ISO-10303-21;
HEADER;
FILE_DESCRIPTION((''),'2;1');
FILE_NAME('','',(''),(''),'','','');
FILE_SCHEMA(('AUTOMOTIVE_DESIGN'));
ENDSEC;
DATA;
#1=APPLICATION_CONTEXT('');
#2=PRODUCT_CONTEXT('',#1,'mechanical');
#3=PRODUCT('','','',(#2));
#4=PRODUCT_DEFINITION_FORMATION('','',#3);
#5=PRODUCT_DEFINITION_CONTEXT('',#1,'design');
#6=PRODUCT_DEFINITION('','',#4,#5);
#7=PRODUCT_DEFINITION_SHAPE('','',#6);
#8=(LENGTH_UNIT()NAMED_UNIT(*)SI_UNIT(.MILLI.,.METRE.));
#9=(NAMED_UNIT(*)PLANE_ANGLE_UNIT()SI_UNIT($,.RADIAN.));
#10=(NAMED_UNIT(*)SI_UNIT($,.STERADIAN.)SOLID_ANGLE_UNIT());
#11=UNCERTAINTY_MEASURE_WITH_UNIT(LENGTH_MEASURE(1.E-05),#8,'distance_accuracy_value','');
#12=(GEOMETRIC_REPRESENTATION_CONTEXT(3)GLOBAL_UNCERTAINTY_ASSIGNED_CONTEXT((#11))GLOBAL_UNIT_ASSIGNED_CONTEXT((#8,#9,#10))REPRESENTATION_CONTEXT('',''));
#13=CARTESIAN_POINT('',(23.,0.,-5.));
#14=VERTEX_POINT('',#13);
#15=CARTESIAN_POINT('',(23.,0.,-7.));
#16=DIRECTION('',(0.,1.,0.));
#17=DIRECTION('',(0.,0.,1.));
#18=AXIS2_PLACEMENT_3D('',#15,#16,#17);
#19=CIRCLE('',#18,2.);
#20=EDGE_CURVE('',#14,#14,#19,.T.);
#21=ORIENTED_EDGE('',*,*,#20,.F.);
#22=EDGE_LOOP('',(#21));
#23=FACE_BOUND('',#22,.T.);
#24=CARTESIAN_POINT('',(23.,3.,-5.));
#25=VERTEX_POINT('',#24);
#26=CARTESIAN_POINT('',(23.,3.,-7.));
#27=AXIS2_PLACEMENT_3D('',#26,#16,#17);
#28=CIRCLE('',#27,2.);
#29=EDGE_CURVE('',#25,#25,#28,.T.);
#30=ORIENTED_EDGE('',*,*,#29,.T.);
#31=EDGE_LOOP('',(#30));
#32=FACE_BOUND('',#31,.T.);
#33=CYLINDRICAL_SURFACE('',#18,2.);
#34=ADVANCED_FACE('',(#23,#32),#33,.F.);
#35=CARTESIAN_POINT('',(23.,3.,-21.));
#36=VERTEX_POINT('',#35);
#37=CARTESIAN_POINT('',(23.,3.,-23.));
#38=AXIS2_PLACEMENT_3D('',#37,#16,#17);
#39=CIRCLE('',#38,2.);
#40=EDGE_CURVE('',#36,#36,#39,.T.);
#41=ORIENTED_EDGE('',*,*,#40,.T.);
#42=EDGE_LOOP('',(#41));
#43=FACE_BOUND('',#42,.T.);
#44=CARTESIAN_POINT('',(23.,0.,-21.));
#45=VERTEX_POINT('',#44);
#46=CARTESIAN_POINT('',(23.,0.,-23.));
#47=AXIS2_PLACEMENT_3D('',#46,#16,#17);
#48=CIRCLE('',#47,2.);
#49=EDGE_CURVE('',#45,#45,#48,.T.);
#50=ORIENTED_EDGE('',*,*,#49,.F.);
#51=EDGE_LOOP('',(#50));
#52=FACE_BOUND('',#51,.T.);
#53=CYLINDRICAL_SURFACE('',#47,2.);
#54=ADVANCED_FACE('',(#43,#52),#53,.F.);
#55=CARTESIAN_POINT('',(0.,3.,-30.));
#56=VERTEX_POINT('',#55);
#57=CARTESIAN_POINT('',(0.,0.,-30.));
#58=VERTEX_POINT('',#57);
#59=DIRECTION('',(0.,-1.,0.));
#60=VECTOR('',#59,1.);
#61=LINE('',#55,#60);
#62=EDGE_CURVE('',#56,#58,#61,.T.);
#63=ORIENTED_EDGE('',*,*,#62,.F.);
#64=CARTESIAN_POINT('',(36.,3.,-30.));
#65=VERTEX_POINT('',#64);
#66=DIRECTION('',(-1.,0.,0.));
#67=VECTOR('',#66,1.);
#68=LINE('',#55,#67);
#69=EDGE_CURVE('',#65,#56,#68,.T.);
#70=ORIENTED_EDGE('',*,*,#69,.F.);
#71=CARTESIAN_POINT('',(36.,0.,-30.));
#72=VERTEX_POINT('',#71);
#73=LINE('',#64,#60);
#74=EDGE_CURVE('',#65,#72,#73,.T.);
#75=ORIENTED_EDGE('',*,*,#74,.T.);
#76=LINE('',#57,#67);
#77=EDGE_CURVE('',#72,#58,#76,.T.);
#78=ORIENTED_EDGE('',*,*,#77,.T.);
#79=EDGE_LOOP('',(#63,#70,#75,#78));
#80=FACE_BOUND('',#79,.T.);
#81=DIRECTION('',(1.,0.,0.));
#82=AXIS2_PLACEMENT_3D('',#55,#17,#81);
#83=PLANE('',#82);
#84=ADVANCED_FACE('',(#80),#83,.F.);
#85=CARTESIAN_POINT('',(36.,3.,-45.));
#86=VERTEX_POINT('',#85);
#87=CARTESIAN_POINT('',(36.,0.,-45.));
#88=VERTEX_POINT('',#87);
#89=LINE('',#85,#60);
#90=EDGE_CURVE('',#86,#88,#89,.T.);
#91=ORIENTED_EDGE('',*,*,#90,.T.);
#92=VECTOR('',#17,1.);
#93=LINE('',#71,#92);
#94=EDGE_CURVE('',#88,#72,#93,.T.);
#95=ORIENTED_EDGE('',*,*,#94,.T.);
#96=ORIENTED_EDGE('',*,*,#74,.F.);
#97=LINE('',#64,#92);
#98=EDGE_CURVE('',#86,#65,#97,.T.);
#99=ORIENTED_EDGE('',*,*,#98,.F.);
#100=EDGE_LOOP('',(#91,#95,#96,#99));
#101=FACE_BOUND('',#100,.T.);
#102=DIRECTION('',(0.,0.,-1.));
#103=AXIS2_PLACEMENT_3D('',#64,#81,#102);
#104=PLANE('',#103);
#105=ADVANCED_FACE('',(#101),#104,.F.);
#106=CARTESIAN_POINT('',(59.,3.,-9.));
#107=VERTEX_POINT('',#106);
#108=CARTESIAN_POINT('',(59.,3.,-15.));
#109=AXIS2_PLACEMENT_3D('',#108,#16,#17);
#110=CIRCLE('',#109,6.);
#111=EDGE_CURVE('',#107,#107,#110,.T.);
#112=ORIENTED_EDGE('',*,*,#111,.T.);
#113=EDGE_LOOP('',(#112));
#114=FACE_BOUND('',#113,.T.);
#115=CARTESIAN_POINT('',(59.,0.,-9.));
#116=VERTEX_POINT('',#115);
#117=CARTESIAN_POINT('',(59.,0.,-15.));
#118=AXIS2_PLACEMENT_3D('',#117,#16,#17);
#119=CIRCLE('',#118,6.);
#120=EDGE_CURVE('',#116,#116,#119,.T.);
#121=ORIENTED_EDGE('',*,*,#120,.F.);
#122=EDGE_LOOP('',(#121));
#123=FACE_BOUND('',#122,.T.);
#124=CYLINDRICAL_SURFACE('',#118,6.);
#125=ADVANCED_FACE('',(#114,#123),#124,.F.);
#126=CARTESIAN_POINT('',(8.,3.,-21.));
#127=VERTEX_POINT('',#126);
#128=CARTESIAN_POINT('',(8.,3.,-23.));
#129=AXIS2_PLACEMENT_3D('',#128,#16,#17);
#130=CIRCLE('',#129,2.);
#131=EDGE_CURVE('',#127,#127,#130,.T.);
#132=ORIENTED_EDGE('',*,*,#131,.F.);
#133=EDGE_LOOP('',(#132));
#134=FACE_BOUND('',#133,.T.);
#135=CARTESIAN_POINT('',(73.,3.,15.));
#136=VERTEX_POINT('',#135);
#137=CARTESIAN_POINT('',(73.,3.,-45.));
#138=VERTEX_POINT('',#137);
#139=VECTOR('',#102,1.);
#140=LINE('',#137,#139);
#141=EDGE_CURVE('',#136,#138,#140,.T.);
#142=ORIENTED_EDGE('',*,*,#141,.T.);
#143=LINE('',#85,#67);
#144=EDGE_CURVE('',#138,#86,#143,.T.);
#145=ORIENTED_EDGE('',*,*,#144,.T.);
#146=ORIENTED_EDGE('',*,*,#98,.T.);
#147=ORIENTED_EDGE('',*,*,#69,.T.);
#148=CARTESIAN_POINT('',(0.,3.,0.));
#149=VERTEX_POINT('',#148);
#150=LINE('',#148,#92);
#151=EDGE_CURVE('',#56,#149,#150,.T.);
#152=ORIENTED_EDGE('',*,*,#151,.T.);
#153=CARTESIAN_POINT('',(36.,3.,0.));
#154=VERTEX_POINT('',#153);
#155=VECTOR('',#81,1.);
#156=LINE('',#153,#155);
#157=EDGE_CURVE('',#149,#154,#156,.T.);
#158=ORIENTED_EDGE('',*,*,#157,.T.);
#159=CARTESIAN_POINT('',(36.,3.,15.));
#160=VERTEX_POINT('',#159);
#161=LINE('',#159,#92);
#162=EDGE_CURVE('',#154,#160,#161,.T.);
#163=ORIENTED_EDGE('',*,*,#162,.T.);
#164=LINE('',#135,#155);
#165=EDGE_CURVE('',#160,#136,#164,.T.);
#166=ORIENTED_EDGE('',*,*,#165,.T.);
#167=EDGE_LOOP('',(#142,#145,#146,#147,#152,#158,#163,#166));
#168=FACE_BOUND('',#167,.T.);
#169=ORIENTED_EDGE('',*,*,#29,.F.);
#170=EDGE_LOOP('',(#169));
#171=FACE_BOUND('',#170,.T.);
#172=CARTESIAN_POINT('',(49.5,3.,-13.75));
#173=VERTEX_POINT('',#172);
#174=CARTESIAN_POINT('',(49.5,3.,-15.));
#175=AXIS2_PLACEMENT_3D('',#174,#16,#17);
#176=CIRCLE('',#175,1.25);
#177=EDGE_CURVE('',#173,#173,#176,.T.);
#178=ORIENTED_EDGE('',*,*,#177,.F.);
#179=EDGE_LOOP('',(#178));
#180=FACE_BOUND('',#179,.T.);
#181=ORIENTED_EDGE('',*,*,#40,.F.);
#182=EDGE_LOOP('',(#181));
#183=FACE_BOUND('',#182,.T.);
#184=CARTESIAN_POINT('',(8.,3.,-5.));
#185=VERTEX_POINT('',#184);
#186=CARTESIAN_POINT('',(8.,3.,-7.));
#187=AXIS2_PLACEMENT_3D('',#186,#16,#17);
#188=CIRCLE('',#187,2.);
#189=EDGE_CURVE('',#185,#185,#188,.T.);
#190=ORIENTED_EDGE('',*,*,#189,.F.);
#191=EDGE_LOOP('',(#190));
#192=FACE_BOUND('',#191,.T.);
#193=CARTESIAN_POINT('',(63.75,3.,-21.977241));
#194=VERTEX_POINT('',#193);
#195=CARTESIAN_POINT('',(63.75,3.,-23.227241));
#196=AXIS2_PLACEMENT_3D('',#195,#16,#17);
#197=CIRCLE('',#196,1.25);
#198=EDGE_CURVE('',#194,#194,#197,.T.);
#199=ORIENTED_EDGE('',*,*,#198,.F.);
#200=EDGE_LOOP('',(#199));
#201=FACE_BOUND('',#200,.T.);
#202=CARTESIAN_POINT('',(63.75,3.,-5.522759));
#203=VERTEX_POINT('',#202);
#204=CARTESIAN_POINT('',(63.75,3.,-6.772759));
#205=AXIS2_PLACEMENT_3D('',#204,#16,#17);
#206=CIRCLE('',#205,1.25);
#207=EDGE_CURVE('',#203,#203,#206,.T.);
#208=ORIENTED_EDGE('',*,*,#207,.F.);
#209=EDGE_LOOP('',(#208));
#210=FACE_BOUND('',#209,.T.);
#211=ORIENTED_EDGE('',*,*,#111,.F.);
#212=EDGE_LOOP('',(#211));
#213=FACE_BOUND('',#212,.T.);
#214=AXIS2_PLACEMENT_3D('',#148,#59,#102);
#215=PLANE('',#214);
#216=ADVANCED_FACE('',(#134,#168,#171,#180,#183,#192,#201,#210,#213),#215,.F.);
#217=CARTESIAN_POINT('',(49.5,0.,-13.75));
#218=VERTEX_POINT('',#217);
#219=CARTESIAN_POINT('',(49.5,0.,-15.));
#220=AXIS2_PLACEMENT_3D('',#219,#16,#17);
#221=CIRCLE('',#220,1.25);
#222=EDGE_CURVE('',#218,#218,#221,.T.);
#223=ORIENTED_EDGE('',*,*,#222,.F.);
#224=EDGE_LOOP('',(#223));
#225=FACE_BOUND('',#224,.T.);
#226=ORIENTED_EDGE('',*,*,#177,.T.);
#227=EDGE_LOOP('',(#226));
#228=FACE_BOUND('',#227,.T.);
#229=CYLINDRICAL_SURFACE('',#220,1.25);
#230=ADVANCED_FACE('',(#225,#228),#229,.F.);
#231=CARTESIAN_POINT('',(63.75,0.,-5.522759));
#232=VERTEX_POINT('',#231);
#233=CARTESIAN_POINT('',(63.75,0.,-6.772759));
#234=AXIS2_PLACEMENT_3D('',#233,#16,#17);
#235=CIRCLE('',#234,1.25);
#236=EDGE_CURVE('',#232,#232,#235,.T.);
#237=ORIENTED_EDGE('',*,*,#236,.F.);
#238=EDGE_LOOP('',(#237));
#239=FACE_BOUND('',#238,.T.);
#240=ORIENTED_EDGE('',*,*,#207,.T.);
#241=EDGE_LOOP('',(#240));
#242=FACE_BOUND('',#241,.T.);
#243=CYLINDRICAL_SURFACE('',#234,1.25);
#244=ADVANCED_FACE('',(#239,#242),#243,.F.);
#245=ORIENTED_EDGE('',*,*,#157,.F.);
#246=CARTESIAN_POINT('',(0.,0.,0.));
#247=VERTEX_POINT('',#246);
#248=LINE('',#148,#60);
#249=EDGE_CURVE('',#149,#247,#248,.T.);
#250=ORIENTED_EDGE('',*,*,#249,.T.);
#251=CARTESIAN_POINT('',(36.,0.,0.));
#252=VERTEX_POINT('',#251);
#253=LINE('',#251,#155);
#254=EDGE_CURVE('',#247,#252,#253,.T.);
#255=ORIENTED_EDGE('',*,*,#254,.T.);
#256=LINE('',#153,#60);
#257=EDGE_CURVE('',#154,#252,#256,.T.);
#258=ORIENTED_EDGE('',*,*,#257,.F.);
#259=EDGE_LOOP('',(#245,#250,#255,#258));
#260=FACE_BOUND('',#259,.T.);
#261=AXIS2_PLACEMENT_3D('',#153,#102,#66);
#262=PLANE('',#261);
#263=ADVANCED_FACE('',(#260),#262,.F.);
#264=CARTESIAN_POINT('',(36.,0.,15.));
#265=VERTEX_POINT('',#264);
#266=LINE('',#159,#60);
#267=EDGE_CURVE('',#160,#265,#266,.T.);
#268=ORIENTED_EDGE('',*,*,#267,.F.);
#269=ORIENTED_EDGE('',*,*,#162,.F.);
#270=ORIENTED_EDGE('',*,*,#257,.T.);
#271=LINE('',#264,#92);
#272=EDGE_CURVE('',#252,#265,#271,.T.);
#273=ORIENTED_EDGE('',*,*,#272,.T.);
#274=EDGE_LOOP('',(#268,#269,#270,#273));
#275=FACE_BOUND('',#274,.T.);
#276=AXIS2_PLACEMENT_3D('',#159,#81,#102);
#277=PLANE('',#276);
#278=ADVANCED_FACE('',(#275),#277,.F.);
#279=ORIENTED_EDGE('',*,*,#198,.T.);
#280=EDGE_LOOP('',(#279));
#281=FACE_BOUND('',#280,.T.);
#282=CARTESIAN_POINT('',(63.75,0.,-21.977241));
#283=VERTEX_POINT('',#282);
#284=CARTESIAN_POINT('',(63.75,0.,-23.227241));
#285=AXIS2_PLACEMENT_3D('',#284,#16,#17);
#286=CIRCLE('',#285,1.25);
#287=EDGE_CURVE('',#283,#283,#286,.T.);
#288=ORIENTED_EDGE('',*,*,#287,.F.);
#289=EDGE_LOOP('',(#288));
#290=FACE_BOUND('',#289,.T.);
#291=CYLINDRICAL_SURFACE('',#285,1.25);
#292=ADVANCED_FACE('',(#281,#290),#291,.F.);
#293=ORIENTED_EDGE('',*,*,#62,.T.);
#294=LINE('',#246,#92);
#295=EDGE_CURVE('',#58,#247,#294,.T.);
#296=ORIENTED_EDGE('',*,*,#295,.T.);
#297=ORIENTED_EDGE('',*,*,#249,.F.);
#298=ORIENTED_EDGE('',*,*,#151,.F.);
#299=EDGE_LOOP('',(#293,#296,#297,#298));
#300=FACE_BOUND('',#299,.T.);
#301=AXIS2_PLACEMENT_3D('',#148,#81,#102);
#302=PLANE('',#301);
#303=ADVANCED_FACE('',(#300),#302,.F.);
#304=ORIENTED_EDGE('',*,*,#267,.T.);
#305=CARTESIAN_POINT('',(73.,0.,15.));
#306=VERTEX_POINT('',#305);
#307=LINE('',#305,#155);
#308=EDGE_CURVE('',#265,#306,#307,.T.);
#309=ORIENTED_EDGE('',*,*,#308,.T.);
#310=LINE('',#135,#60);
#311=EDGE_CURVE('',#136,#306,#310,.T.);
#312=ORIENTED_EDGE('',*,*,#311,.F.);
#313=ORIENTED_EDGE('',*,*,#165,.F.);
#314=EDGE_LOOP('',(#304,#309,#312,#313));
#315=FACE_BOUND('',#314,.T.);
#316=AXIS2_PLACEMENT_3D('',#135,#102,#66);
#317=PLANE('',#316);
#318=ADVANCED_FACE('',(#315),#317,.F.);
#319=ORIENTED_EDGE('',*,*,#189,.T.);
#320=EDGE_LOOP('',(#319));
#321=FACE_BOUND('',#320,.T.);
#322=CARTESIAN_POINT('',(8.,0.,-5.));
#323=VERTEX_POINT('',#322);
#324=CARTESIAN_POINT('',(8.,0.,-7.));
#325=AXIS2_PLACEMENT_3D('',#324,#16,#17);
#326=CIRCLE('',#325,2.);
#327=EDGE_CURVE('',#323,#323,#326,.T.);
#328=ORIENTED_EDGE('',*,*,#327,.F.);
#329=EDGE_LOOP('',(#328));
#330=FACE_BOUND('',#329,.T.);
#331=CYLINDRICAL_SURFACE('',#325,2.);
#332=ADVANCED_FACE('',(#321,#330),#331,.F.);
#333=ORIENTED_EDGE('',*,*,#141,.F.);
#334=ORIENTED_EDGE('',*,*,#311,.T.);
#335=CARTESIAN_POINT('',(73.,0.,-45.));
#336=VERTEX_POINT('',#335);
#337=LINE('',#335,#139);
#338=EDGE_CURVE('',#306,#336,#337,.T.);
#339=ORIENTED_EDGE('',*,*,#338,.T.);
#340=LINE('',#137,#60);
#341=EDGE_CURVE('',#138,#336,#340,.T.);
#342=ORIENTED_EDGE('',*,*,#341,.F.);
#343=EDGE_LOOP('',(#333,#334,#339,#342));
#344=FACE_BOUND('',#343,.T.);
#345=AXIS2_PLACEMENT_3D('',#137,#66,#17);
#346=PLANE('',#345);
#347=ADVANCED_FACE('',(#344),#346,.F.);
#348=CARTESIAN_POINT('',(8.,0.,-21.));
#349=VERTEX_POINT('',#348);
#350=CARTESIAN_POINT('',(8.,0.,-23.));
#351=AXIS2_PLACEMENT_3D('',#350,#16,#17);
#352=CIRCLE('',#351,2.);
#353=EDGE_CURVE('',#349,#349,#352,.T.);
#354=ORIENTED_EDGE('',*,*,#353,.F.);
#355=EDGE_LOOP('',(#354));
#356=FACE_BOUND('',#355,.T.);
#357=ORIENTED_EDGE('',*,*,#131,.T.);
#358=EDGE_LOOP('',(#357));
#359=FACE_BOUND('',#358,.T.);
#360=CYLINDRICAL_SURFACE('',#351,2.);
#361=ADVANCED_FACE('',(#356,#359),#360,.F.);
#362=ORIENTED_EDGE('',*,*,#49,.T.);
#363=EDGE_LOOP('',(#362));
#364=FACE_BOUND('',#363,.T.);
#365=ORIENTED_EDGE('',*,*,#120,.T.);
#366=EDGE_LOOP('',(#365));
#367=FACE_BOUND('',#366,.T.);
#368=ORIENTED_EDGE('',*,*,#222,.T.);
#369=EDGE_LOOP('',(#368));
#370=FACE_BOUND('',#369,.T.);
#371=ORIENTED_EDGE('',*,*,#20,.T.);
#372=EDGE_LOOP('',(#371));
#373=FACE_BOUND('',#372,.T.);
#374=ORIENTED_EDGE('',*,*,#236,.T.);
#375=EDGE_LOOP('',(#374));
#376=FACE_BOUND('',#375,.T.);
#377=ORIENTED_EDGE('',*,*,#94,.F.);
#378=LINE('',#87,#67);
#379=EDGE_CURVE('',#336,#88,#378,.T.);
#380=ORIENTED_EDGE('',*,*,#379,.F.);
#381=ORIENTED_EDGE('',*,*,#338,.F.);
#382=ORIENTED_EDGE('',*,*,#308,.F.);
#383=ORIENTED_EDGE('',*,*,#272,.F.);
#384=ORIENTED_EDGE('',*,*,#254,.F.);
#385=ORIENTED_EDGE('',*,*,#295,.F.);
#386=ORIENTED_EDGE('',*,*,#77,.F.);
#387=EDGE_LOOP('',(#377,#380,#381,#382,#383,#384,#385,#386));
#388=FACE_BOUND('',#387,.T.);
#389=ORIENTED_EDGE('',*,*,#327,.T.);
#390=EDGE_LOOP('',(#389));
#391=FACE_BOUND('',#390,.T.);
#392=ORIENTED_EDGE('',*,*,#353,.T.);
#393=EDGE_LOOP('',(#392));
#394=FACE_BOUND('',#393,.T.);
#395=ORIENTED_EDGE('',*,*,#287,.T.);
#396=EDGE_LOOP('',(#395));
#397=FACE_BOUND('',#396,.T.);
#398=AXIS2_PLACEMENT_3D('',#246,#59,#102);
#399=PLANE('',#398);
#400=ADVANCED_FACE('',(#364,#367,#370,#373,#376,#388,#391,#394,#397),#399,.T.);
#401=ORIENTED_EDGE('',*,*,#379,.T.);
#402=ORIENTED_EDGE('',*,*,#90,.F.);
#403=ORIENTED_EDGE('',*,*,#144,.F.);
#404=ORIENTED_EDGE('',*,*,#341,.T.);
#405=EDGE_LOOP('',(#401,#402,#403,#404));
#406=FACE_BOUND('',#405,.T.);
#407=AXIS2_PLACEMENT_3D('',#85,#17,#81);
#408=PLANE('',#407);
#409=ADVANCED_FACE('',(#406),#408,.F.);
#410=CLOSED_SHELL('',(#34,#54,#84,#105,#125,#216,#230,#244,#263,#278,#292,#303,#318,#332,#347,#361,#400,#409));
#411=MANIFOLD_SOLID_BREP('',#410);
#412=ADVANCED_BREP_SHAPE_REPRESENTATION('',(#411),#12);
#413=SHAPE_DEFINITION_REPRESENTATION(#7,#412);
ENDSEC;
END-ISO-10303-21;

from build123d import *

# Parameters (mm, degrees)
EXTRUDE_1_DEPTH     = 3
SKETCH_2_R          = 2
SKETCH_2_R_2        = 6
CUT_EXTRUDE_1_DEPTH = 3
SKETCH_3_R          = 1.25
CUT_EXTRUDE_2_DEPTH = 3


with BuildPart() as part:
    # 草图1 → 凸台-拉伸1 (new body)
    with BuildSketch(Plane(origin=(0, 0, 0), x_dir=(1, 0, 0), z_dir=(0, 1, 0))):
        Polygon((0, 0), (0, 30), (36, 30), (36, 45), (73, 45), (73, -15), (36, -15), (36, 0), align=None)
    extrude(amount=EXTRUDE_1_DEPTH)

    # 草图2 → 切除-拉伸1 (cut)
    with BuildSketch(Plane(origin=(0, 3, 0), x_dir=(1, 0, 0), z_dir=(0, 1, 0))):
        with Locations(Location((8, 23, 0), (0, 0, 270))):
            Circle(SKETCH_2_R)
        with Locations(Location((23, 23, 0), (0, 0, 270))):
            Circle(SKETCH_2_R)
        with Locations(Location((8, 7, 0), (0, 0, 270))):
            Circle(SKETCH_2_R)
        with Locations(Location((23, 7, 0), (0, 0, 270))):
            Circle(SKETCH_2_R)
        with Locations(Location((59, 15, 0), (0, 0, 270))):
            Circle(SKETCH_2_R_2)
    extrude(amount=-CUT_EXTRUDE_1_DEPTH, mode=Mode.SUBTRACT)

    # 草图3 → 切除-拉伸2 (cut)
    with BuildSketch(Plane(origin=(0, 3, 0), x_dir=(1, 0, 0), z_dir=(0, 1, 0))):
        with Locations(Location((63.75, 23.227241336, 0), (0, 0, 270))):
            Circle(SKETCH_3_R)
        with Locations(Location((63.75, 6.772758664, 0), (0, 0, 270))):
            Circle(SKETCH_3_R)
        with Locations(Location((49.5, 15, 0), (0, 0, 270))):
            Circle(SKETCH_3_R)
    extrude(amount=-CUT_EXTRUDE_2_DEPTH, mode=Mode.SUBTRACT)


solid = part.part
